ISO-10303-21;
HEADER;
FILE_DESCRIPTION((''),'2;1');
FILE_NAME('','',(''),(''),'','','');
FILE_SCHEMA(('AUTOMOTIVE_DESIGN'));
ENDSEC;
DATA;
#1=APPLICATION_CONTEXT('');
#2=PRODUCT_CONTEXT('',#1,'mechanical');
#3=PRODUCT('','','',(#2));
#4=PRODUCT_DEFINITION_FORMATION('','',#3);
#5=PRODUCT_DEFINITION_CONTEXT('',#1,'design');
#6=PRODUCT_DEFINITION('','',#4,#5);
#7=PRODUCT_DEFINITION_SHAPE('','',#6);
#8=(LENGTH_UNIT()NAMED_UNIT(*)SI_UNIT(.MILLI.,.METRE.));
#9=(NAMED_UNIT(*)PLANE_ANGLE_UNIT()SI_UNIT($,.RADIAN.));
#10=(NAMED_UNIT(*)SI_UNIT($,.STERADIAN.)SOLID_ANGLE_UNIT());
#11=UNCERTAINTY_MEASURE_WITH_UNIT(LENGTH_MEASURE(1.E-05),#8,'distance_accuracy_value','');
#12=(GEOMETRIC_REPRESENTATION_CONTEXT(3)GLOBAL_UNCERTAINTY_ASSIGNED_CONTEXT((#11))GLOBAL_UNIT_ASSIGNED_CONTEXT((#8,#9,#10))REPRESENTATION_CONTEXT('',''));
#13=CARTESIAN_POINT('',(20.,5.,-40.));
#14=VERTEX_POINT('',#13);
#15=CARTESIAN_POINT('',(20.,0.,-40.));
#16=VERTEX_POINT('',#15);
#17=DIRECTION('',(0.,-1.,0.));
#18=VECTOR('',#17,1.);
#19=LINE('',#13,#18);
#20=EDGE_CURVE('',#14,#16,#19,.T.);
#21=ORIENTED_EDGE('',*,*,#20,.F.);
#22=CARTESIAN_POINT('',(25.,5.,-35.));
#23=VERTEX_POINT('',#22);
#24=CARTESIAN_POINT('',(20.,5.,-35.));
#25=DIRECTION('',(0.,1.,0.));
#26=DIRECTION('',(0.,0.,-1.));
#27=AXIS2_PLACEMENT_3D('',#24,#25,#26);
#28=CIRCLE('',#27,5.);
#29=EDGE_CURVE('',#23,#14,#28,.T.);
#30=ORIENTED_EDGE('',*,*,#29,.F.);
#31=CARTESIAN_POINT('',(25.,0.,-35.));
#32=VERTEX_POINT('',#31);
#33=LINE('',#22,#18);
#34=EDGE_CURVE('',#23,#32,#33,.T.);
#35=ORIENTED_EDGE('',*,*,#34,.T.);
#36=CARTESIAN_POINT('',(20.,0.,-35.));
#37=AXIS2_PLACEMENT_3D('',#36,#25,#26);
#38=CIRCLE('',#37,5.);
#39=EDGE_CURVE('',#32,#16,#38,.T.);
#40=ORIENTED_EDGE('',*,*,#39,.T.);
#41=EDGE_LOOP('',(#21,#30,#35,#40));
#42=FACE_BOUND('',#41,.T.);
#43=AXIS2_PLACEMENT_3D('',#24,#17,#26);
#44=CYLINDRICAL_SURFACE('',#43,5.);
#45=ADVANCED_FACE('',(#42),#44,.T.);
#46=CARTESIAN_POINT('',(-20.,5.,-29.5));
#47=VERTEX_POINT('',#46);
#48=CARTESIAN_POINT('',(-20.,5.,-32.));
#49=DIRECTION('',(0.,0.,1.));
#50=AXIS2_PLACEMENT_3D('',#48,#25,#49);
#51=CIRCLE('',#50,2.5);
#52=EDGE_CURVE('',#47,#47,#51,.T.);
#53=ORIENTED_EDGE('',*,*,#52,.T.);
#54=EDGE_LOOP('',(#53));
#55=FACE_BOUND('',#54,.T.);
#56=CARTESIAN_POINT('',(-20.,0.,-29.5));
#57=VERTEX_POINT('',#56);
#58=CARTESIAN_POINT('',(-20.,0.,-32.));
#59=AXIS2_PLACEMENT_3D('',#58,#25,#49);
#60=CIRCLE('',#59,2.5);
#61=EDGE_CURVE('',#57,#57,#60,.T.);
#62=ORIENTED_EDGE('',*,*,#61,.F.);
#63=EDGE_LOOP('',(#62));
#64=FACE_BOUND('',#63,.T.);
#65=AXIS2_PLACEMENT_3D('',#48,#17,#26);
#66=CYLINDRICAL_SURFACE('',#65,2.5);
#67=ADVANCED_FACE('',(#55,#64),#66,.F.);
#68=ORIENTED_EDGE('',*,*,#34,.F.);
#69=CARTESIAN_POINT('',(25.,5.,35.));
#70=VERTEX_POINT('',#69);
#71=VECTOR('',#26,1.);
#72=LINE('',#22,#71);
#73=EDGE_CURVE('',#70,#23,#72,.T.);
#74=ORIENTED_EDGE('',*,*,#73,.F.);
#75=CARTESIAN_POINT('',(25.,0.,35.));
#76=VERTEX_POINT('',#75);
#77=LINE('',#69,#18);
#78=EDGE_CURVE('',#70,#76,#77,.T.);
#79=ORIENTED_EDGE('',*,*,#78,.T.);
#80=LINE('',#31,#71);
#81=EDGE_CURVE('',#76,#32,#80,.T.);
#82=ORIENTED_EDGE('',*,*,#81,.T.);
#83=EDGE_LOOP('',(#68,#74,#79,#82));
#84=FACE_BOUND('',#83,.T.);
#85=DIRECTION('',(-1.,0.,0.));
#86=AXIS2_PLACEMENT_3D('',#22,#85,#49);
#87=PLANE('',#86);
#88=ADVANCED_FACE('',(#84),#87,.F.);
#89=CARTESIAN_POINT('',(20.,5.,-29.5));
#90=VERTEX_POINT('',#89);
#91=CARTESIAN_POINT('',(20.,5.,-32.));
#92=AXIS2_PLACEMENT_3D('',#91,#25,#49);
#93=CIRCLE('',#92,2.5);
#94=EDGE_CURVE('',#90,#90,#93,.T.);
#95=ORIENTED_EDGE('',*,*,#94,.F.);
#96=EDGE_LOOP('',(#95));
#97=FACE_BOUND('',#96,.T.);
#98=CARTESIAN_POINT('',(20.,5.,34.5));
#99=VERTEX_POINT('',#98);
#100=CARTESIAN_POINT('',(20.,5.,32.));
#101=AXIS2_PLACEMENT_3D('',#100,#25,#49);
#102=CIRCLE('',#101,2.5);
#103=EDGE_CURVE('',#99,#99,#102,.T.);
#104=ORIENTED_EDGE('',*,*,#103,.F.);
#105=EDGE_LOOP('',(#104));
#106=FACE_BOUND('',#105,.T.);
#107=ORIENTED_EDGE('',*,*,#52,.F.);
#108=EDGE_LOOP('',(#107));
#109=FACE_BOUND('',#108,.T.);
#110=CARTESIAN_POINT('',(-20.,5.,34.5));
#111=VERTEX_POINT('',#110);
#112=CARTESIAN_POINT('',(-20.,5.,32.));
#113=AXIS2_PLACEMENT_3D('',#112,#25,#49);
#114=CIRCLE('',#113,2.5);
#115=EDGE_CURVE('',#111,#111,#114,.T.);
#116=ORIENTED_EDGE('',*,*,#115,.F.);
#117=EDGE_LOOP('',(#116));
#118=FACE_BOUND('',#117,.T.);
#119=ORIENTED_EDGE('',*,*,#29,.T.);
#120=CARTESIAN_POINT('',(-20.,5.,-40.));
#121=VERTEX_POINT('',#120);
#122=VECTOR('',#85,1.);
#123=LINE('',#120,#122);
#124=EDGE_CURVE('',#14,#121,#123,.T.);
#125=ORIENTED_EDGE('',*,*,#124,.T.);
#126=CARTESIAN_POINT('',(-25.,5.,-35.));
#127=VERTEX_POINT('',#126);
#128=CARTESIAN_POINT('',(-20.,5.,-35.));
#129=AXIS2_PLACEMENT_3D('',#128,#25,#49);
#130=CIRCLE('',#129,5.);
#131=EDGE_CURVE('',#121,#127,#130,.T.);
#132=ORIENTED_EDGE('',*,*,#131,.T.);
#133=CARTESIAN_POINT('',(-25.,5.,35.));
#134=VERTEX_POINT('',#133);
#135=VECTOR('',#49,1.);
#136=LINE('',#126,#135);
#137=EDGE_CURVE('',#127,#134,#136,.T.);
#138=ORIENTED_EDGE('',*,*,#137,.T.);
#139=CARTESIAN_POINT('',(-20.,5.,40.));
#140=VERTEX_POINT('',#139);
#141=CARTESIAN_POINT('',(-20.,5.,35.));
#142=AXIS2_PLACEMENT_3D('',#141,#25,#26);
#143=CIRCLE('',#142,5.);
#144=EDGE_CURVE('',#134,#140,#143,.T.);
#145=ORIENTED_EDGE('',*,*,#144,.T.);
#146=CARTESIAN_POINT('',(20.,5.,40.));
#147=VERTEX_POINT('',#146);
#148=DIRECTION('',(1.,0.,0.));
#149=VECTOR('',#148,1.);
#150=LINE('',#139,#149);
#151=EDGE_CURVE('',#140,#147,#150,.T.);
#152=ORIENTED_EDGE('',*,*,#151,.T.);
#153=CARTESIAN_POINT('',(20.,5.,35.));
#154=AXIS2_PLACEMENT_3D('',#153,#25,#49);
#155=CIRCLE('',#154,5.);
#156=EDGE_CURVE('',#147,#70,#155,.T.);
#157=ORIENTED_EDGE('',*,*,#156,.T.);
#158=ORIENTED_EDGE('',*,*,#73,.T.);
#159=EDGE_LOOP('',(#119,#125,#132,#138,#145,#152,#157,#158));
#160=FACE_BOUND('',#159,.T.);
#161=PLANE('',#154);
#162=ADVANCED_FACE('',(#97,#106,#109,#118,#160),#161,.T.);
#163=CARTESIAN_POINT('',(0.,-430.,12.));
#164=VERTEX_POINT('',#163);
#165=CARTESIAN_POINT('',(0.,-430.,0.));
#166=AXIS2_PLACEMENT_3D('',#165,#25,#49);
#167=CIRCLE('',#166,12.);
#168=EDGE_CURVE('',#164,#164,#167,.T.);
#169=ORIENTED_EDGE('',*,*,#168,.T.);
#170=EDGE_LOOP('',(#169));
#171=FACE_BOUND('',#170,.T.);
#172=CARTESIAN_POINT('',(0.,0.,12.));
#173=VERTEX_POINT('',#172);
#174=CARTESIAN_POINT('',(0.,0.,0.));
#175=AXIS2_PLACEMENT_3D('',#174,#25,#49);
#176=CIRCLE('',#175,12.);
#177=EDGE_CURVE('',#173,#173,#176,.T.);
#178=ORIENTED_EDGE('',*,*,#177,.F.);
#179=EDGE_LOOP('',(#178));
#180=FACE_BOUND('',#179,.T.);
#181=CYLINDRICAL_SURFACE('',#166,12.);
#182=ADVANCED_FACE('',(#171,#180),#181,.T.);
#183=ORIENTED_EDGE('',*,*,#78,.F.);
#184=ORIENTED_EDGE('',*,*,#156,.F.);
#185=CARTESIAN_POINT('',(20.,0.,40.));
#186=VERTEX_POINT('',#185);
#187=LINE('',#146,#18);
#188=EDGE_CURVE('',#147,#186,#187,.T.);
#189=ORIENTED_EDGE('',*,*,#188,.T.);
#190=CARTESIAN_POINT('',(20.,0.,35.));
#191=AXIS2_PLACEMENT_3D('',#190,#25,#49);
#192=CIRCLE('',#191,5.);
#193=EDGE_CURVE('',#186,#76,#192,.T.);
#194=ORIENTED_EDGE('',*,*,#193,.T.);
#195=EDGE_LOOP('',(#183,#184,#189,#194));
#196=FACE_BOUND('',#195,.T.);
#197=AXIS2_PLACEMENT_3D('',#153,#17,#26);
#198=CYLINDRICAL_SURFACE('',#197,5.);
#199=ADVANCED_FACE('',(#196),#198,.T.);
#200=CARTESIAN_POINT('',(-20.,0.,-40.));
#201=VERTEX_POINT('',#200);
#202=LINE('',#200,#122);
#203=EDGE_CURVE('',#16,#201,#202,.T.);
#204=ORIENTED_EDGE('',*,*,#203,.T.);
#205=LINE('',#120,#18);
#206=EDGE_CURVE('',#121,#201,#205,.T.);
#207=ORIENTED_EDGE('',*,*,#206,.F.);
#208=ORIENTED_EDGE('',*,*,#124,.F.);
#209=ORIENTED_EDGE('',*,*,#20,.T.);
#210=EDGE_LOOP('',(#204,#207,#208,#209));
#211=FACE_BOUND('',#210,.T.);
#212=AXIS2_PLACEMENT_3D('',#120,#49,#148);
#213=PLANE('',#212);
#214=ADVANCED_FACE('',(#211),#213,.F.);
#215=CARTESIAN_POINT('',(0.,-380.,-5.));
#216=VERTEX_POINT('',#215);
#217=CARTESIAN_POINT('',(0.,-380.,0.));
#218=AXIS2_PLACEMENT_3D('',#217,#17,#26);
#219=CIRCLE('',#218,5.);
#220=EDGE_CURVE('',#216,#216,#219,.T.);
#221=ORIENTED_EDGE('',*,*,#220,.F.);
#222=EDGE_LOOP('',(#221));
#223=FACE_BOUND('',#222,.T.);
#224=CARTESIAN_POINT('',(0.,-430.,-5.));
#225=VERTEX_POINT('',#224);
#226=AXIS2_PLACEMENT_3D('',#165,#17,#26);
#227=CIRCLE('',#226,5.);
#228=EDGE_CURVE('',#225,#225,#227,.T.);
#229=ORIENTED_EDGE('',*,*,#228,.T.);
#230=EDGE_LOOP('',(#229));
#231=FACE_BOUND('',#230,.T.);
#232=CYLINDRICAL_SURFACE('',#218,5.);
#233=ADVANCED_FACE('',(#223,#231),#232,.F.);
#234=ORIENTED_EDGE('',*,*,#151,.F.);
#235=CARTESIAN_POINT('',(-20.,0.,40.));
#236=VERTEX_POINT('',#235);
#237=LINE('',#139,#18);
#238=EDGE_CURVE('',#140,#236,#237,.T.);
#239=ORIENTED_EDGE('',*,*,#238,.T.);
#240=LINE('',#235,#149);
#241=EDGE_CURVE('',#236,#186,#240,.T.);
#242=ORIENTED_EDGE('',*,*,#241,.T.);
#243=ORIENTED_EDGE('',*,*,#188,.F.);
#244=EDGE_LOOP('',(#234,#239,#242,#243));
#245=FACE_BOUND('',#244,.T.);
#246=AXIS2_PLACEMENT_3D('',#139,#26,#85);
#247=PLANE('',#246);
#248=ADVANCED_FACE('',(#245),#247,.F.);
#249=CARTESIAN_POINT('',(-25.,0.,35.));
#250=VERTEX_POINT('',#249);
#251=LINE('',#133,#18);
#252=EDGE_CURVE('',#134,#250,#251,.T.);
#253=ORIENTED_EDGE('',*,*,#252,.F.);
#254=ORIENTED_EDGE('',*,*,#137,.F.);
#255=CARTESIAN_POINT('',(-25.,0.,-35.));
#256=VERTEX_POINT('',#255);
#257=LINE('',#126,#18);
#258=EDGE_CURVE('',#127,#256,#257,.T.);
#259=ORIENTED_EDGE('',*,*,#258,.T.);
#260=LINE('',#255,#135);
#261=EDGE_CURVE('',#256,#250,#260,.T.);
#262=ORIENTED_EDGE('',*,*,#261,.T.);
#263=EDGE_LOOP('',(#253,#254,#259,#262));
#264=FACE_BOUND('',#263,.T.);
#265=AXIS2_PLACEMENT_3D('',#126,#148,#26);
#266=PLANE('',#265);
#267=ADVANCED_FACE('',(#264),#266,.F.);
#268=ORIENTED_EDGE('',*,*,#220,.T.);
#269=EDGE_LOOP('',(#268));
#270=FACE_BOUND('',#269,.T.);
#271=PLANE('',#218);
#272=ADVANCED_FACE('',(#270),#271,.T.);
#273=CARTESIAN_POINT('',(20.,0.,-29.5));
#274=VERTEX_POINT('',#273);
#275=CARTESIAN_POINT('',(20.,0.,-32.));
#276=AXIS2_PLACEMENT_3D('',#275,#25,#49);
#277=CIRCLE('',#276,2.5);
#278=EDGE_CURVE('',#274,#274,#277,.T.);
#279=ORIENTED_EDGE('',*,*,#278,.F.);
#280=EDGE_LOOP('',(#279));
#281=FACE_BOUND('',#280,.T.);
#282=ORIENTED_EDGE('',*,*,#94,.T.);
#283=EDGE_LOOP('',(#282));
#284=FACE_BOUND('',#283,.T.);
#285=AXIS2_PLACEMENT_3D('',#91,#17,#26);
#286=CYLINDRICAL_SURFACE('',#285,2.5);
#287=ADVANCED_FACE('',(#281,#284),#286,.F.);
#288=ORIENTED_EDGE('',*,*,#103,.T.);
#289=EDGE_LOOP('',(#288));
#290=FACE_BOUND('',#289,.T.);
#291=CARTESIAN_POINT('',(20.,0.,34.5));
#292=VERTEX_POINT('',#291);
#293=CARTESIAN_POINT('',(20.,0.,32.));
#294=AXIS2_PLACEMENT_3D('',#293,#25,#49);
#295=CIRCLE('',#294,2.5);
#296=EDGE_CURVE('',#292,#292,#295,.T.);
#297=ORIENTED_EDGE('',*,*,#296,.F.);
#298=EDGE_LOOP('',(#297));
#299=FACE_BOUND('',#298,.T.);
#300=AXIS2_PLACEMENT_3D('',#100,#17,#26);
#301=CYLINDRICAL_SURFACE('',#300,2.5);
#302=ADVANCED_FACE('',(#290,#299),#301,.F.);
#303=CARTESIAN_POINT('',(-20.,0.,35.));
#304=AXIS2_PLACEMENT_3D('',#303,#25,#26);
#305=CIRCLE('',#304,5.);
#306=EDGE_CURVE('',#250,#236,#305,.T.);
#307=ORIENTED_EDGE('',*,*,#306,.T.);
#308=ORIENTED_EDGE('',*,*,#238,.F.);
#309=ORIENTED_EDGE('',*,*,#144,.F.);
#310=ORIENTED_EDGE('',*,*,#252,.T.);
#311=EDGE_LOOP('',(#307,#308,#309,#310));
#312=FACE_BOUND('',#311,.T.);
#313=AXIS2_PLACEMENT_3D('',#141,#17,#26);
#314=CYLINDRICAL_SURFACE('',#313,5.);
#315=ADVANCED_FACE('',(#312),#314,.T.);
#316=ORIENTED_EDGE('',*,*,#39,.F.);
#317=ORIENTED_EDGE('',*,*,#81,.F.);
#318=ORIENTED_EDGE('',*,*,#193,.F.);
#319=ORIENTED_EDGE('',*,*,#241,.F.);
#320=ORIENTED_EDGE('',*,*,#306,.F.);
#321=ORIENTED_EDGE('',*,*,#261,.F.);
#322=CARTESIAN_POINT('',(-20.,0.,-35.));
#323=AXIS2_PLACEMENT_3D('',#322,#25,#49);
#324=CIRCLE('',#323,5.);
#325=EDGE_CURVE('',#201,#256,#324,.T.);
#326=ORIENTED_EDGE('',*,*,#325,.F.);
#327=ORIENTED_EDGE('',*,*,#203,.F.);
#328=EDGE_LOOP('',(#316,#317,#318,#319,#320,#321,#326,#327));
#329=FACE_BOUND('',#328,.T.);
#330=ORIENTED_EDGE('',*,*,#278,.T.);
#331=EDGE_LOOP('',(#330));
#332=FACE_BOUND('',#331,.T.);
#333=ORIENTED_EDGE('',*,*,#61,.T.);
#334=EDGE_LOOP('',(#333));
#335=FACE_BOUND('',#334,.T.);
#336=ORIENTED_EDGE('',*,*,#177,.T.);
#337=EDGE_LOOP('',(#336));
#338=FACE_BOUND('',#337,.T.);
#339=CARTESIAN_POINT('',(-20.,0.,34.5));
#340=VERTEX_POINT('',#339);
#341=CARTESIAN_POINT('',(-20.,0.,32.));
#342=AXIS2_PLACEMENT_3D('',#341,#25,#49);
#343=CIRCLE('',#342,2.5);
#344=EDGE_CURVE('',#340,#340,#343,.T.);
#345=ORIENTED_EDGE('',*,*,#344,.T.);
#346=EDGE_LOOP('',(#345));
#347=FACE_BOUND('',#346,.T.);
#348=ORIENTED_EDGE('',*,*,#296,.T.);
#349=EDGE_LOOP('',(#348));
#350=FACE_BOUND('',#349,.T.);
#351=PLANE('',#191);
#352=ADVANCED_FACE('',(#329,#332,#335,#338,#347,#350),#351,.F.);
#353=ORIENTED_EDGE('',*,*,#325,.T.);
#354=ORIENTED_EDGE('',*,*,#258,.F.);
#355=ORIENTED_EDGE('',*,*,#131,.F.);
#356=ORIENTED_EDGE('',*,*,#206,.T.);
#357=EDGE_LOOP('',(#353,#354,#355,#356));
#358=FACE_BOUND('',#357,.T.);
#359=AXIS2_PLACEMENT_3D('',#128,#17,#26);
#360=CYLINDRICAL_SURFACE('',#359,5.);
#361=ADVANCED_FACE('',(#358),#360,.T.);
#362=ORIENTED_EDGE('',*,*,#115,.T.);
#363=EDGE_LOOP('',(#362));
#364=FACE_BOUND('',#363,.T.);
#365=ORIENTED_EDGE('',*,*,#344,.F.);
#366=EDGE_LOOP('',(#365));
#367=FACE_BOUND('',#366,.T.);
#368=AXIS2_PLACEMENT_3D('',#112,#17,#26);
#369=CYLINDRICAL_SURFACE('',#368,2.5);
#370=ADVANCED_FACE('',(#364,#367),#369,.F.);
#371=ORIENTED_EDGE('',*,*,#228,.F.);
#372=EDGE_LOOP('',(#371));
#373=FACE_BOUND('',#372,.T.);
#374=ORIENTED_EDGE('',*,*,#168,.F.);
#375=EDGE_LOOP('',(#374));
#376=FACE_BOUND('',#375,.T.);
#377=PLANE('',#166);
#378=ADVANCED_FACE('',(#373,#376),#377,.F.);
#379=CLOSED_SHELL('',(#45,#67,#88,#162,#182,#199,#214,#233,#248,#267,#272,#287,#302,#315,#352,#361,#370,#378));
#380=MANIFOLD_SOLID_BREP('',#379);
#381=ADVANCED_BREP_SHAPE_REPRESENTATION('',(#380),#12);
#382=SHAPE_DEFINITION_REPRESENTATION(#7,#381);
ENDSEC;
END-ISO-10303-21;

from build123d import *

# Parameters (mm, degrees)
SKETCH1_R           = 12
BOSS_EXTRUDE1_DEPTH = 430
SKETCH2_R           = 2.5
BOSS_EXTRUDE2_DEPTH = 5
SKETCH3_R           = 5
CUT_EXTRUDE1_DEPTH  = 50


with BuildPart() as part:
    # Sketch1 → Boss-Extrude1 (new body)
    with BuildSketch(Plane(origin=(0, 0, 0), x_dir=(1, 0, 0), z_dir=(0, 1, 0))):
        Circle(SKETCH1_R)
    extrude(amount=-BOSS_EXTRUDE1_DEPTH)

    # Sketch2 → Boss-Extrude2 (add)
    with BuildSketch(Plane(origin=(0, 0, 0), x_dir=(1, 0, 0), z_dir=(0, 1, 0))):
        with BuildLine():
            Line((-20, 40), (20, 40))
            ThreePointArc((20, 40), (23.535533906, 38.535533906), (25, 35))
            Line((25, 35), (25, -35))
            ThreePointArc((25, -35), (23.535533906, -38.535533906), (20, -40))
            Line((20, -40), (-20, -40))
            ThreePointArc((-20, -40), (-23.535533906, -38.535533906), (-25, -35))
            Line((-25, -35), (-25, 35))
            ThreePointArc((-25, 35), (-23.535533906, 38.535533906), (-20, 40))
        make_face()
        with Locations((-20, 32)):
            Circle(SKETCH2_R, mode=Mode.SUBTRACT)
        with Locations((-20, -32)):
            Circle(SKETCH2_R, mode=Mode.SUBTRACT)
        with Locations((20, -32)):
            Circle(SKETCH2_R, mode=Mode.SUBTRACT)
        with Locations((20, 32)):
            Circle(SKETCH2_R, mode=Mode.SUBTRACT)
    extrude(amount=BOSS_EXTRUDE2_DEPTH)

    # Sketch3 → Cut-Extrude1 (cut)
    with BuildSketch(Plane.XZ.offset(430)):
        Circle(SKETCH3_R)
    extrude(amount=-CUT_EXTRUDE1_DEPTH, mode=Mode.SUBTRACT)


solid = part.part
